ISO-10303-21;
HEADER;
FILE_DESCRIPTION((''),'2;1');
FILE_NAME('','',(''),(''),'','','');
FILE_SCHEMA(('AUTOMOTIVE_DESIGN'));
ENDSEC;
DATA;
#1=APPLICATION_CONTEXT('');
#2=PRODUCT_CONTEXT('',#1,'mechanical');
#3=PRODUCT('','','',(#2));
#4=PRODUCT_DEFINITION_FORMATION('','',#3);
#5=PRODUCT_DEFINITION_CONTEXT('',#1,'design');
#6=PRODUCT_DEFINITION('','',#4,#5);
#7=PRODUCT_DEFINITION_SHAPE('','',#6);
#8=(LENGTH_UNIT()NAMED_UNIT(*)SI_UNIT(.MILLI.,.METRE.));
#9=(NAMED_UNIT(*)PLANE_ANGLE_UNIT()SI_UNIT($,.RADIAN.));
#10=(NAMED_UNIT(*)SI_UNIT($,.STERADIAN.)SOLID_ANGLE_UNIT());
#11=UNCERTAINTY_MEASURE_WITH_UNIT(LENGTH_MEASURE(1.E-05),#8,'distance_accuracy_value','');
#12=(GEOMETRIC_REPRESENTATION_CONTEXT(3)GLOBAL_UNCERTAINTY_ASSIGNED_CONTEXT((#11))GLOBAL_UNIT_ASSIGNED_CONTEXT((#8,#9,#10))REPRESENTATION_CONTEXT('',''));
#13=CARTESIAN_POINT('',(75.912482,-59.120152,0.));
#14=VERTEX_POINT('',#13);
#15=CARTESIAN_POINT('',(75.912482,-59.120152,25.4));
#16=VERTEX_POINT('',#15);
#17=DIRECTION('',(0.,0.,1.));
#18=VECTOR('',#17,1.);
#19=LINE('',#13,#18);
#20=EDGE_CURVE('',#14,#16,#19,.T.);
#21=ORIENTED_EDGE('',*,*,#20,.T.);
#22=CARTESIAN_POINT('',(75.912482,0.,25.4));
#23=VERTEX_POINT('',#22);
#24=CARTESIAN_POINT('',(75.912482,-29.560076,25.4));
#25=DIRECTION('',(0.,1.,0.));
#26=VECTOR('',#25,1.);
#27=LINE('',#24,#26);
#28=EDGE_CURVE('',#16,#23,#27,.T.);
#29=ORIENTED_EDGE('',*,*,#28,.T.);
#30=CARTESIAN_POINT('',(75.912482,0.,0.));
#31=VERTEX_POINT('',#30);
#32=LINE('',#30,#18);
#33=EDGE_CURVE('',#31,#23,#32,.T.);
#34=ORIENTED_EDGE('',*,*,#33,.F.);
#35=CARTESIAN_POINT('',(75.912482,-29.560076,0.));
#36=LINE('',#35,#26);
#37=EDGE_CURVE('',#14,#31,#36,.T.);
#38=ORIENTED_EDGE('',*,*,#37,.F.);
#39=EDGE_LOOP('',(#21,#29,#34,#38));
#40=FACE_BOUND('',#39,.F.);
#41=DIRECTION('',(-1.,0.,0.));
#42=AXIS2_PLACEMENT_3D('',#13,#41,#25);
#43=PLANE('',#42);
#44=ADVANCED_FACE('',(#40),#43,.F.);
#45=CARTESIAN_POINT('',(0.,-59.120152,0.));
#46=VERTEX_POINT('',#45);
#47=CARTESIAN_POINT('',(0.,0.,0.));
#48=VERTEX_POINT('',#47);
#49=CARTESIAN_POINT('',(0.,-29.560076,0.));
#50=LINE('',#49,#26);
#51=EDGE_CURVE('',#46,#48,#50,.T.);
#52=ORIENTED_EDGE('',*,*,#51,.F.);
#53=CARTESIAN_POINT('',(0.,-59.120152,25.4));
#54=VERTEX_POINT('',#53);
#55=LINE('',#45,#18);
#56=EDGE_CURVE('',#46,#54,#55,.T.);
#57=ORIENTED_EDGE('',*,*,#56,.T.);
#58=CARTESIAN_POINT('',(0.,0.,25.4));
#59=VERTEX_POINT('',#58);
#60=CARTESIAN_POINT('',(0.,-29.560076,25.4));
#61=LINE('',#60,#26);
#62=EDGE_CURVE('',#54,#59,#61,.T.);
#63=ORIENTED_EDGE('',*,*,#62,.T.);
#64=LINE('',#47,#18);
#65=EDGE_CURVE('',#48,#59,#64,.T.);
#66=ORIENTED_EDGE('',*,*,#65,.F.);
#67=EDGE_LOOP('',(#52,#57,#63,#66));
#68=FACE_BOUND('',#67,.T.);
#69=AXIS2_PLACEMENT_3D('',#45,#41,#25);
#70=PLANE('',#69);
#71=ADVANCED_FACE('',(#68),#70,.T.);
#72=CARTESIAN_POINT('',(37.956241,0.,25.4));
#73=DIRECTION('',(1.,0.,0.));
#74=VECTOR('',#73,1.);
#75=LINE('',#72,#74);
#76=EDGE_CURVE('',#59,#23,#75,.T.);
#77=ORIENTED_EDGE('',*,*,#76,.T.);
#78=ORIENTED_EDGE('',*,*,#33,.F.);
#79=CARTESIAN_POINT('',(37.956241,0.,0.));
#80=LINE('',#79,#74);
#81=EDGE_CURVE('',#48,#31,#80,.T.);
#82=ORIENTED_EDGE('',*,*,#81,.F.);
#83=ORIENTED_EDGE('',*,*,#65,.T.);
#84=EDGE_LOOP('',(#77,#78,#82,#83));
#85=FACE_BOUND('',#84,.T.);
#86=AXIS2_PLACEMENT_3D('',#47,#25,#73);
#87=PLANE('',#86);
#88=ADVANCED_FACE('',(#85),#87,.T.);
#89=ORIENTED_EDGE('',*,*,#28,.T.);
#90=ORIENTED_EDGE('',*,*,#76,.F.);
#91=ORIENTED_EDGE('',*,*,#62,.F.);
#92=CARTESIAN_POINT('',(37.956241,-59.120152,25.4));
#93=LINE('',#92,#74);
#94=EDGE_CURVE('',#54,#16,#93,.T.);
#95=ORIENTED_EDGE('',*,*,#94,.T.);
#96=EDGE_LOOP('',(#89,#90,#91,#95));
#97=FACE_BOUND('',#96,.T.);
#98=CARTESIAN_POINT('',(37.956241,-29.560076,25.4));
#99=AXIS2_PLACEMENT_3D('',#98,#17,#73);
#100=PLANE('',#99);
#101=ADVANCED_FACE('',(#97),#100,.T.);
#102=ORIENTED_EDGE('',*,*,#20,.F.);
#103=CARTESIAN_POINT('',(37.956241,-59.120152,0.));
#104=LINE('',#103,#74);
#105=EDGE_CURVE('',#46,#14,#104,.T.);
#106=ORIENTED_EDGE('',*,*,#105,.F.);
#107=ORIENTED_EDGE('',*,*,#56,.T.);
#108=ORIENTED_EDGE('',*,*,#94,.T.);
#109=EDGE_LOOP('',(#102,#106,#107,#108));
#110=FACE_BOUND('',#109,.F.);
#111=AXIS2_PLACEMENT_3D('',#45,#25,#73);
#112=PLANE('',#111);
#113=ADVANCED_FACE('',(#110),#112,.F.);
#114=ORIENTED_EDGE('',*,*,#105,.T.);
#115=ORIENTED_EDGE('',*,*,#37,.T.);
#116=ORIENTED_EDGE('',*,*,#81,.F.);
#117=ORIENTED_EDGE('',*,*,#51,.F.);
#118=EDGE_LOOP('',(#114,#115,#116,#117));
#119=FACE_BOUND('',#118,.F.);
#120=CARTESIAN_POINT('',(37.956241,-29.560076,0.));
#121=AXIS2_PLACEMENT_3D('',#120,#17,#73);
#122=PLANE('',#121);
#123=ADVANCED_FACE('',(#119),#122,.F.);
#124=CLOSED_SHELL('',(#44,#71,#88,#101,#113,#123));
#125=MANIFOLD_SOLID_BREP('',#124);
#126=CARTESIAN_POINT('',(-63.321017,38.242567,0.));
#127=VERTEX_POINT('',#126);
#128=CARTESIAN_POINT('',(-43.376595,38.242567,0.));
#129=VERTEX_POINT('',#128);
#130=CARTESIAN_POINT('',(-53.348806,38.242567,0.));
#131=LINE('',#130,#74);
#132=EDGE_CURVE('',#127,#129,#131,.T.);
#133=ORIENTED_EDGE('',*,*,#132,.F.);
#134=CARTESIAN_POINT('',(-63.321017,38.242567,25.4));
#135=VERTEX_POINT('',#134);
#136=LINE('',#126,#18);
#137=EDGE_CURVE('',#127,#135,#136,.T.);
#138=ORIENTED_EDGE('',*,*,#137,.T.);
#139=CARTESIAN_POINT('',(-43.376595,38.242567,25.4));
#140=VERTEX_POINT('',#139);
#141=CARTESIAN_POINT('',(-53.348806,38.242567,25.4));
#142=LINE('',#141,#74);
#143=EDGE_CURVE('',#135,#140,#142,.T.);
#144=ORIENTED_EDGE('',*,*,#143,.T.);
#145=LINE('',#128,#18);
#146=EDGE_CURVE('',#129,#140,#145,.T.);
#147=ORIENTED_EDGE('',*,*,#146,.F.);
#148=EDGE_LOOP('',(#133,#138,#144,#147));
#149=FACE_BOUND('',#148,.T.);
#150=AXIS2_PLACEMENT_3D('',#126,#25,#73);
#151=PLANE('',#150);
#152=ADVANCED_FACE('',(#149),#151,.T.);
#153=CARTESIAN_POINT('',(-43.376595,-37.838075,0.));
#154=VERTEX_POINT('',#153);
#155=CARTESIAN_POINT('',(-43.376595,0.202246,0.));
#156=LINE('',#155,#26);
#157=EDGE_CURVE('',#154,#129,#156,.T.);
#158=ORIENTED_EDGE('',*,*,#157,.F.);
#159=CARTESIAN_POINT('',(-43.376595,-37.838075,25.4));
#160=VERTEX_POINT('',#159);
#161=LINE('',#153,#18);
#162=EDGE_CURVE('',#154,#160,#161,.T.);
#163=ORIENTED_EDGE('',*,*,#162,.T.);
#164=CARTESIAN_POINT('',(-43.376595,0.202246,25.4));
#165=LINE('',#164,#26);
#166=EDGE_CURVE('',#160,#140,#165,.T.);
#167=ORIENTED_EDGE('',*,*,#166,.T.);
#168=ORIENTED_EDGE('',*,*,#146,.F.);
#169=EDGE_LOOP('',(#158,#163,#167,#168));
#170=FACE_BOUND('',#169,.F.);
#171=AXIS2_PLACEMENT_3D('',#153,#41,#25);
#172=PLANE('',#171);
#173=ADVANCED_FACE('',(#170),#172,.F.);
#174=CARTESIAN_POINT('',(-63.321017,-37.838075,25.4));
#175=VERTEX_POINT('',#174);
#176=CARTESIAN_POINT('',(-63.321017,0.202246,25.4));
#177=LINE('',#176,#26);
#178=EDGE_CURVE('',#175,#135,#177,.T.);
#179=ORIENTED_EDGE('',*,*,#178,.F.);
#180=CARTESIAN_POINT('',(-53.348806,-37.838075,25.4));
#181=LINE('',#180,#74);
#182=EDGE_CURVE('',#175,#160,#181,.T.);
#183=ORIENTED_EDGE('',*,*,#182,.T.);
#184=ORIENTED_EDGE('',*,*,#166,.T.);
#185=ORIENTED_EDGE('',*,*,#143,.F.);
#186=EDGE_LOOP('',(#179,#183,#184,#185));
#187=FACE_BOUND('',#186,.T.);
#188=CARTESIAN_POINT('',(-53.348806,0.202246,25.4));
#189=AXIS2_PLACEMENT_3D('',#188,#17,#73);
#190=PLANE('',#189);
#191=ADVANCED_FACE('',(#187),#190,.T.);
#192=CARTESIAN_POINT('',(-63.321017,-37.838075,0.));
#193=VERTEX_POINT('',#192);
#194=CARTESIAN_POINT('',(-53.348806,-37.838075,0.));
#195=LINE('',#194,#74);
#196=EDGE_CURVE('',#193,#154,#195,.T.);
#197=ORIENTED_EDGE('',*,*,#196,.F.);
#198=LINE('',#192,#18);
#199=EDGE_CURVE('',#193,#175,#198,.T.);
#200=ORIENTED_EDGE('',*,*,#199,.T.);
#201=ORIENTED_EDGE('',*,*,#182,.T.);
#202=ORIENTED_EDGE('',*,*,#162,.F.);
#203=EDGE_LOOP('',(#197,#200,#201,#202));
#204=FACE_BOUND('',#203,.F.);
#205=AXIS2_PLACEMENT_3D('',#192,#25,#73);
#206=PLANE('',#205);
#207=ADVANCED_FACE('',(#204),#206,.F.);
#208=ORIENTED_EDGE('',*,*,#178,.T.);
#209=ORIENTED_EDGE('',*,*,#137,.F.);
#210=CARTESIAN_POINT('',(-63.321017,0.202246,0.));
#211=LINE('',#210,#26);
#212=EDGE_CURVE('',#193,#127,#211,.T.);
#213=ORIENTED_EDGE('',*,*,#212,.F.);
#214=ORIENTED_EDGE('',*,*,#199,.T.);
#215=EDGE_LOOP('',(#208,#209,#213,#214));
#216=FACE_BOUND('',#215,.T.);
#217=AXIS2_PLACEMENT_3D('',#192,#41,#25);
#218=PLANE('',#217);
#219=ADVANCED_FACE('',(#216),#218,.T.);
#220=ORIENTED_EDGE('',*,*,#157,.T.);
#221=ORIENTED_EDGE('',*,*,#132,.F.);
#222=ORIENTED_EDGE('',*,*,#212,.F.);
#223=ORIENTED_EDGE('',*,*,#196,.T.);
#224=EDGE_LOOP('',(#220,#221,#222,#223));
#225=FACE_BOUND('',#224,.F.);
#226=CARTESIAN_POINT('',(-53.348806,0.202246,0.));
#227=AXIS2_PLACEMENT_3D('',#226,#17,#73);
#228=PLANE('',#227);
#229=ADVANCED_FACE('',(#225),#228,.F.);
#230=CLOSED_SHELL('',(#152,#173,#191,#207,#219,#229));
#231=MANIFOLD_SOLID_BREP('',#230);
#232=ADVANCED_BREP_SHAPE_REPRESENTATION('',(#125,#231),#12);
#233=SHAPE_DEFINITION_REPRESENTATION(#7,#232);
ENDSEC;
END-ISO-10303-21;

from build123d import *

# Parameters (mm, degrees)
F0_W     = 75.912483
F0_H     = 59.120152
F0_W_2   = 19.944422
F0_H_2   = 76.080642
F1_DEPTH = 25.4


with BuildPart() as f1:
    # F0 (on Top) → F1 (new body)
    with BuildSketch(Plane.XY):
        with Locations((37.956241, -29.560076)):
            Rectangle(F0_W, F0_H)
        with Locations((-53.348806, 0.202246)):
            Rectangle(F0_W_2, F0_H_2)
    extrude(amount=F1_DEPTH)


solid = f1.part
